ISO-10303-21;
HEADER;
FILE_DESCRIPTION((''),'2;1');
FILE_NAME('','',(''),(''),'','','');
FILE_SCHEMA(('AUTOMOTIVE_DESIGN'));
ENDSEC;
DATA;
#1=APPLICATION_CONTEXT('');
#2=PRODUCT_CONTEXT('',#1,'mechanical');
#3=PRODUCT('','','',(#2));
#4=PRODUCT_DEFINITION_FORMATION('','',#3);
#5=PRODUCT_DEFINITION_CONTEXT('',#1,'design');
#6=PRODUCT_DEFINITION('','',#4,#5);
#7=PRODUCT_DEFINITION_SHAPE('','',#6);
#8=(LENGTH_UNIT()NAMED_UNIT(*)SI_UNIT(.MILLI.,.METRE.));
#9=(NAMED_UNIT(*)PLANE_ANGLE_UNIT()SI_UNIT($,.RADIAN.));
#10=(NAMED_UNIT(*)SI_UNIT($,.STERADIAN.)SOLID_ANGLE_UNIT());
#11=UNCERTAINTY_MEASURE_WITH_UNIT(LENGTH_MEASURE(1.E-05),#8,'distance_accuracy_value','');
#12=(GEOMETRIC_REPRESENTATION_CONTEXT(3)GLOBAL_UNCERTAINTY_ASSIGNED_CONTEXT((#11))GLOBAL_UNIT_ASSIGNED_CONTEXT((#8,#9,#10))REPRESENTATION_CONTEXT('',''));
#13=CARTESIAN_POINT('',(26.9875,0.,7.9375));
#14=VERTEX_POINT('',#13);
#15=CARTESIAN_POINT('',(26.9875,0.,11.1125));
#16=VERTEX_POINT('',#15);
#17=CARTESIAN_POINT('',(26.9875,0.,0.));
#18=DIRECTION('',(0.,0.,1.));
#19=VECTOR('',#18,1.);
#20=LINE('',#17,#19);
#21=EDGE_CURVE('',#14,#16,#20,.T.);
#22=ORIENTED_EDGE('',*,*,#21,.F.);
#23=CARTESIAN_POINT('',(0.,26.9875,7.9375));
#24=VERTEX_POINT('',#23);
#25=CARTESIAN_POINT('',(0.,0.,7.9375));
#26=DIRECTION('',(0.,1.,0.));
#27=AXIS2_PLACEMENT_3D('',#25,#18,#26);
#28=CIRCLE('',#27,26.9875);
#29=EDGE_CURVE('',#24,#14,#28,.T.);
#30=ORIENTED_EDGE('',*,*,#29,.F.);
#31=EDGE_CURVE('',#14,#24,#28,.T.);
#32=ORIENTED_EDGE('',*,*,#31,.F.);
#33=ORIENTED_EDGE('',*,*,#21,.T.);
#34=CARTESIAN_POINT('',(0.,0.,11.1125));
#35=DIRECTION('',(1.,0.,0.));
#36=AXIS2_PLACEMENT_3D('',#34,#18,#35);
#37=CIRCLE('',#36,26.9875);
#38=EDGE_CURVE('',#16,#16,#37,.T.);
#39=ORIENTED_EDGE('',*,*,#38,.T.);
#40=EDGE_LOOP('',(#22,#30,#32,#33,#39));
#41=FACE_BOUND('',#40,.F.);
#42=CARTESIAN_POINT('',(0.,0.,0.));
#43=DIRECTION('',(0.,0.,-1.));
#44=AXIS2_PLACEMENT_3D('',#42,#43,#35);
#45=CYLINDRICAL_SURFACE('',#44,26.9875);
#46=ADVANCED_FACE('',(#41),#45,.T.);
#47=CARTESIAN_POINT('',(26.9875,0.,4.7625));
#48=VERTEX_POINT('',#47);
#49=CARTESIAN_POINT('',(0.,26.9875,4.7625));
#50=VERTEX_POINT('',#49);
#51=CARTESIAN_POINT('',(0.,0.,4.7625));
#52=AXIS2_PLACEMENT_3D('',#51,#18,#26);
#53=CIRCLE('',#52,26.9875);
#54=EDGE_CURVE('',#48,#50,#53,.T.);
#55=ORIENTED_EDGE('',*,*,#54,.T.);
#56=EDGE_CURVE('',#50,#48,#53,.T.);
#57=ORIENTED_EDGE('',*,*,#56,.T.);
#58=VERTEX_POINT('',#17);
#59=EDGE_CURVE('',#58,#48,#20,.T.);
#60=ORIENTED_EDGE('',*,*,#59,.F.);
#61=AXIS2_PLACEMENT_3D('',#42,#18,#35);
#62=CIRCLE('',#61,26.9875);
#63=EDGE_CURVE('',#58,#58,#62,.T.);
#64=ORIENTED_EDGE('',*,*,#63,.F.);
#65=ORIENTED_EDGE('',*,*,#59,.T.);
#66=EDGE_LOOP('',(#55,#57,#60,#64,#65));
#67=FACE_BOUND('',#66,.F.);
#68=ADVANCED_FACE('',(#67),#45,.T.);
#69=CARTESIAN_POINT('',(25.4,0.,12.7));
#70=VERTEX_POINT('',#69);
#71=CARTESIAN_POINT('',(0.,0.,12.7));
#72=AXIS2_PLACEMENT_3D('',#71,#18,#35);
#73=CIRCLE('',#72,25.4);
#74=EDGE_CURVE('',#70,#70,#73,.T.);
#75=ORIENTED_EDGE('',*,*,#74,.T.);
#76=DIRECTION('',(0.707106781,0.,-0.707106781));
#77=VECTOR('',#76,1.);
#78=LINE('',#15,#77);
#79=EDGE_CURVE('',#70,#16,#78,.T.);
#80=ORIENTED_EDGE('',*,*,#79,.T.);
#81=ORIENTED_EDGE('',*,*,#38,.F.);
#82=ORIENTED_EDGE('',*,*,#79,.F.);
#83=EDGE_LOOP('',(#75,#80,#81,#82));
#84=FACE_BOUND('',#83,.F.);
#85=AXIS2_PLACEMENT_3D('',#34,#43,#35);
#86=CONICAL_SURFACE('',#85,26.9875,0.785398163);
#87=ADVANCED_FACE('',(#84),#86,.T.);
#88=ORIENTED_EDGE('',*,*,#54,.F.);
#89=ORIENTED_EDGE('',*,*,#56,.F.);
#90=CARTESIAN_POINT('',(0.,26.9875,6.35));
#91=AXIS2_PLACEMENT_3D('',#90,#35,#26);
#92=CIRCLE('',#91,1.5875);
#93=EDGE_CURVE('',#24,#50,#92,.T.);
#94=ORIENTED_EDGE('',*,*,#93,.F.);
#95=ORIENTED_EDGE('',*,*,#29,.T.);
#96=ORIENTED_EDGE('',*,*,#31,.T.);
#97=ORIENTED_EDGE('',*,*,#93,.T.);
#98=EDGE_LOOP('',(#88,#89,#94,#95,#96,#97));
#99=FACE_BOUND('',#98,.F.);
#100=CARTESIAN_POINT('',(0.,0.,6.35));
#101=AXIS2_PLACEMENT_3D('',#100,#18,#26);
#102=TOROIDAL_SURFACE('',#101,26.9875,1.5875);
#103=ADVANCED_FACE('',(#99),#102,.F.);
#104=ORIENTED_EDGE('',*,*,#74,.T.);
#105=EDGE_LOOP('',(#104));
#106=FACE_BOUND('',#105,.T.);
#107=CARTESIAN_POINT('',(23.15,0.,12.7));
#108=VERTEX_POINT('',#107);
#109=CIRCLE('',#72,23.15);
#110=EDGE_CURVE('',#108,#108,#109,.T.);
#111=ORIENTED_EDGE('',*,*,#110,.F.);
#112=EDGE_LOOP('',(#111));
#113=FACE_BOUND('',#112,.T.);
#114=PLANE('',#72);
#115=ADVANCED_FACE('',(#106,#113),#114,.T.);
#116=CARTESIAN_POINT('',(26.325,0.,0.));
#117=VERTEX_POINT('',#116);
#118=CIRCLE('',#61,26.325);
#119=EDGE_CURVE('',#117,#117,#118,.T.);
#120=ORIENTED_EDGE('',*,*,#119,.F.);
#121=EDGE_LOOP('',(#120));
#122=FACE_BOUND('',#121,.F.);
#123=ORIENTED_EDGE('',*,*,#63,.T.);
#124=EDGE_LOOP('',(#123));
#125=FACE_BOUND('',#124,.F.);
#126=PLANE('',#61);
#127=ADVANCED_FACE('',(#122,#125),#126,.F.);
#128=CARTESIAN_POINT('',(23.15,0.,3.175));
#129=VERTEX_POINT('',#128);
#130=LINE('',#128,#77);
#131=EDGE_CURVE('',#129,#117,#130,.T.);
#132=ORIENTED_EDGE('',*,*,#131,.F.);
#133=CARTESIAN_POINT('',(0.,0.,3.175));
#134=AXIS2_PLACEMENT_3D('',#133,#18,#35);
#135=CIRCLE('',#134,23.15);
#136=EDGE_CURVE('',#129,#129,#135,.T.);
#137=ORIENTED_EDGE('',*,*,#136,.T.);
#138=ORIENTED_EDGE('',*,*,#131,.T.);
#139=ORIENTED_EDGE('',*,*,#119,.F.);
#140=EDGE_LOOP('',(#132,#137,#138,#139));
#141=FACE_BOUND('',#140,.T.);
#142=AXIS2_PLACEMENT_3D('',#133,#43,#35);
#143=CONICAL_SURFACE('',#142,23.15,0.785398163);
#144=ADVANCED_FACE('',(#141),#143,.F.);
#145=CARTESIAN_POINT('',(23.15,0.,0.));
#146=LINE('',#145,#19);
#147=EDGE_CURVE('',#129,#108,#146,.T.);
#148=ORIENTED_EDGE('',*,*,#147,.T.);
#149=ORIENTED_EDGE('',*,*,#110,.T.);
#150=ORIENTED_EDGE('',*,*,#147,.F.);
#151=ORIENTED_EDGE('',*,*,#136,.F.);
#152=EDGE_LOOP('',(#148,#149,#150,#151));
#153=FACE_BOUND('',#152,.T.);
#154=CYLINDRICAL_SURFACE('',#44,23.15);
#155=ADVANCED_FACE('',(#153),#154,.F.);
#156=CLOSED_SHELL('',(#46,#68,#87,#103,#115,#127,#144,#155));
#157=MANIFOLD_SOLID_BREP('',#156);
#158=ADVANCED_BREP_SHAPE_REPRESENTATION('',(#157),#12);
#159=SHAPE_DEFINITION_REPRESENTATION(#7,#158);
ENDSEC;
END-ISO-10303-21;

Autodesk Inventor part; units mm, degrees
ref_plane "YZ Plane" through (0, 0, 0) normal (1, 0, 0) x (0, 1, 0)
ref_plane "XZ Plane" through (0, 0, 0) normal (0, 1, 0) x (-1, 0, 0)
ref_plane "XY Plane" through (0, 0, 0) normal (0, 0, 1) x (1, 0, 0)
sketch "Sketch1" plane through (0, 0, 0) normal (0, 0, 1) x (1, 0, 0)
  circle A0 centre (0, 0) radius 23.15
  circle A1 centre (0, 0) radius 26.9875
  dimension "d0" = 46.3
  dimension "d1" = 53.975
extrude "Extrusion1" add sketch "Sketch1" along normal blind 12.7
chamfer "Chamfer1" distance 3.175 angle 45 1 edges at (-23.15, 0, 0)
sketch "Sketch2" plane through (0, 0, 0) normal (1, 0, 0) x (0, 1, 0)
  line L0 (26.9875, 0) -> (26.9875, 12.7) projected
  circle A0 centre (26.9875, 6.35) radius 1.5875
  line L1 (0, 0) -> (0, 25.7479) construction
  dimension "d7" = 3.175
revolve "Revolution1" cut sketch "Sketch2" angle 360 about axis through (0, 0, 0) along (0, 0, 1)
chamfer "Chamfer2" distance 1.5875 angle 45 1 edges at (-26.9875, 0, 12.7)
properties part number "Ring Hub" material "Nylon 6/6"
